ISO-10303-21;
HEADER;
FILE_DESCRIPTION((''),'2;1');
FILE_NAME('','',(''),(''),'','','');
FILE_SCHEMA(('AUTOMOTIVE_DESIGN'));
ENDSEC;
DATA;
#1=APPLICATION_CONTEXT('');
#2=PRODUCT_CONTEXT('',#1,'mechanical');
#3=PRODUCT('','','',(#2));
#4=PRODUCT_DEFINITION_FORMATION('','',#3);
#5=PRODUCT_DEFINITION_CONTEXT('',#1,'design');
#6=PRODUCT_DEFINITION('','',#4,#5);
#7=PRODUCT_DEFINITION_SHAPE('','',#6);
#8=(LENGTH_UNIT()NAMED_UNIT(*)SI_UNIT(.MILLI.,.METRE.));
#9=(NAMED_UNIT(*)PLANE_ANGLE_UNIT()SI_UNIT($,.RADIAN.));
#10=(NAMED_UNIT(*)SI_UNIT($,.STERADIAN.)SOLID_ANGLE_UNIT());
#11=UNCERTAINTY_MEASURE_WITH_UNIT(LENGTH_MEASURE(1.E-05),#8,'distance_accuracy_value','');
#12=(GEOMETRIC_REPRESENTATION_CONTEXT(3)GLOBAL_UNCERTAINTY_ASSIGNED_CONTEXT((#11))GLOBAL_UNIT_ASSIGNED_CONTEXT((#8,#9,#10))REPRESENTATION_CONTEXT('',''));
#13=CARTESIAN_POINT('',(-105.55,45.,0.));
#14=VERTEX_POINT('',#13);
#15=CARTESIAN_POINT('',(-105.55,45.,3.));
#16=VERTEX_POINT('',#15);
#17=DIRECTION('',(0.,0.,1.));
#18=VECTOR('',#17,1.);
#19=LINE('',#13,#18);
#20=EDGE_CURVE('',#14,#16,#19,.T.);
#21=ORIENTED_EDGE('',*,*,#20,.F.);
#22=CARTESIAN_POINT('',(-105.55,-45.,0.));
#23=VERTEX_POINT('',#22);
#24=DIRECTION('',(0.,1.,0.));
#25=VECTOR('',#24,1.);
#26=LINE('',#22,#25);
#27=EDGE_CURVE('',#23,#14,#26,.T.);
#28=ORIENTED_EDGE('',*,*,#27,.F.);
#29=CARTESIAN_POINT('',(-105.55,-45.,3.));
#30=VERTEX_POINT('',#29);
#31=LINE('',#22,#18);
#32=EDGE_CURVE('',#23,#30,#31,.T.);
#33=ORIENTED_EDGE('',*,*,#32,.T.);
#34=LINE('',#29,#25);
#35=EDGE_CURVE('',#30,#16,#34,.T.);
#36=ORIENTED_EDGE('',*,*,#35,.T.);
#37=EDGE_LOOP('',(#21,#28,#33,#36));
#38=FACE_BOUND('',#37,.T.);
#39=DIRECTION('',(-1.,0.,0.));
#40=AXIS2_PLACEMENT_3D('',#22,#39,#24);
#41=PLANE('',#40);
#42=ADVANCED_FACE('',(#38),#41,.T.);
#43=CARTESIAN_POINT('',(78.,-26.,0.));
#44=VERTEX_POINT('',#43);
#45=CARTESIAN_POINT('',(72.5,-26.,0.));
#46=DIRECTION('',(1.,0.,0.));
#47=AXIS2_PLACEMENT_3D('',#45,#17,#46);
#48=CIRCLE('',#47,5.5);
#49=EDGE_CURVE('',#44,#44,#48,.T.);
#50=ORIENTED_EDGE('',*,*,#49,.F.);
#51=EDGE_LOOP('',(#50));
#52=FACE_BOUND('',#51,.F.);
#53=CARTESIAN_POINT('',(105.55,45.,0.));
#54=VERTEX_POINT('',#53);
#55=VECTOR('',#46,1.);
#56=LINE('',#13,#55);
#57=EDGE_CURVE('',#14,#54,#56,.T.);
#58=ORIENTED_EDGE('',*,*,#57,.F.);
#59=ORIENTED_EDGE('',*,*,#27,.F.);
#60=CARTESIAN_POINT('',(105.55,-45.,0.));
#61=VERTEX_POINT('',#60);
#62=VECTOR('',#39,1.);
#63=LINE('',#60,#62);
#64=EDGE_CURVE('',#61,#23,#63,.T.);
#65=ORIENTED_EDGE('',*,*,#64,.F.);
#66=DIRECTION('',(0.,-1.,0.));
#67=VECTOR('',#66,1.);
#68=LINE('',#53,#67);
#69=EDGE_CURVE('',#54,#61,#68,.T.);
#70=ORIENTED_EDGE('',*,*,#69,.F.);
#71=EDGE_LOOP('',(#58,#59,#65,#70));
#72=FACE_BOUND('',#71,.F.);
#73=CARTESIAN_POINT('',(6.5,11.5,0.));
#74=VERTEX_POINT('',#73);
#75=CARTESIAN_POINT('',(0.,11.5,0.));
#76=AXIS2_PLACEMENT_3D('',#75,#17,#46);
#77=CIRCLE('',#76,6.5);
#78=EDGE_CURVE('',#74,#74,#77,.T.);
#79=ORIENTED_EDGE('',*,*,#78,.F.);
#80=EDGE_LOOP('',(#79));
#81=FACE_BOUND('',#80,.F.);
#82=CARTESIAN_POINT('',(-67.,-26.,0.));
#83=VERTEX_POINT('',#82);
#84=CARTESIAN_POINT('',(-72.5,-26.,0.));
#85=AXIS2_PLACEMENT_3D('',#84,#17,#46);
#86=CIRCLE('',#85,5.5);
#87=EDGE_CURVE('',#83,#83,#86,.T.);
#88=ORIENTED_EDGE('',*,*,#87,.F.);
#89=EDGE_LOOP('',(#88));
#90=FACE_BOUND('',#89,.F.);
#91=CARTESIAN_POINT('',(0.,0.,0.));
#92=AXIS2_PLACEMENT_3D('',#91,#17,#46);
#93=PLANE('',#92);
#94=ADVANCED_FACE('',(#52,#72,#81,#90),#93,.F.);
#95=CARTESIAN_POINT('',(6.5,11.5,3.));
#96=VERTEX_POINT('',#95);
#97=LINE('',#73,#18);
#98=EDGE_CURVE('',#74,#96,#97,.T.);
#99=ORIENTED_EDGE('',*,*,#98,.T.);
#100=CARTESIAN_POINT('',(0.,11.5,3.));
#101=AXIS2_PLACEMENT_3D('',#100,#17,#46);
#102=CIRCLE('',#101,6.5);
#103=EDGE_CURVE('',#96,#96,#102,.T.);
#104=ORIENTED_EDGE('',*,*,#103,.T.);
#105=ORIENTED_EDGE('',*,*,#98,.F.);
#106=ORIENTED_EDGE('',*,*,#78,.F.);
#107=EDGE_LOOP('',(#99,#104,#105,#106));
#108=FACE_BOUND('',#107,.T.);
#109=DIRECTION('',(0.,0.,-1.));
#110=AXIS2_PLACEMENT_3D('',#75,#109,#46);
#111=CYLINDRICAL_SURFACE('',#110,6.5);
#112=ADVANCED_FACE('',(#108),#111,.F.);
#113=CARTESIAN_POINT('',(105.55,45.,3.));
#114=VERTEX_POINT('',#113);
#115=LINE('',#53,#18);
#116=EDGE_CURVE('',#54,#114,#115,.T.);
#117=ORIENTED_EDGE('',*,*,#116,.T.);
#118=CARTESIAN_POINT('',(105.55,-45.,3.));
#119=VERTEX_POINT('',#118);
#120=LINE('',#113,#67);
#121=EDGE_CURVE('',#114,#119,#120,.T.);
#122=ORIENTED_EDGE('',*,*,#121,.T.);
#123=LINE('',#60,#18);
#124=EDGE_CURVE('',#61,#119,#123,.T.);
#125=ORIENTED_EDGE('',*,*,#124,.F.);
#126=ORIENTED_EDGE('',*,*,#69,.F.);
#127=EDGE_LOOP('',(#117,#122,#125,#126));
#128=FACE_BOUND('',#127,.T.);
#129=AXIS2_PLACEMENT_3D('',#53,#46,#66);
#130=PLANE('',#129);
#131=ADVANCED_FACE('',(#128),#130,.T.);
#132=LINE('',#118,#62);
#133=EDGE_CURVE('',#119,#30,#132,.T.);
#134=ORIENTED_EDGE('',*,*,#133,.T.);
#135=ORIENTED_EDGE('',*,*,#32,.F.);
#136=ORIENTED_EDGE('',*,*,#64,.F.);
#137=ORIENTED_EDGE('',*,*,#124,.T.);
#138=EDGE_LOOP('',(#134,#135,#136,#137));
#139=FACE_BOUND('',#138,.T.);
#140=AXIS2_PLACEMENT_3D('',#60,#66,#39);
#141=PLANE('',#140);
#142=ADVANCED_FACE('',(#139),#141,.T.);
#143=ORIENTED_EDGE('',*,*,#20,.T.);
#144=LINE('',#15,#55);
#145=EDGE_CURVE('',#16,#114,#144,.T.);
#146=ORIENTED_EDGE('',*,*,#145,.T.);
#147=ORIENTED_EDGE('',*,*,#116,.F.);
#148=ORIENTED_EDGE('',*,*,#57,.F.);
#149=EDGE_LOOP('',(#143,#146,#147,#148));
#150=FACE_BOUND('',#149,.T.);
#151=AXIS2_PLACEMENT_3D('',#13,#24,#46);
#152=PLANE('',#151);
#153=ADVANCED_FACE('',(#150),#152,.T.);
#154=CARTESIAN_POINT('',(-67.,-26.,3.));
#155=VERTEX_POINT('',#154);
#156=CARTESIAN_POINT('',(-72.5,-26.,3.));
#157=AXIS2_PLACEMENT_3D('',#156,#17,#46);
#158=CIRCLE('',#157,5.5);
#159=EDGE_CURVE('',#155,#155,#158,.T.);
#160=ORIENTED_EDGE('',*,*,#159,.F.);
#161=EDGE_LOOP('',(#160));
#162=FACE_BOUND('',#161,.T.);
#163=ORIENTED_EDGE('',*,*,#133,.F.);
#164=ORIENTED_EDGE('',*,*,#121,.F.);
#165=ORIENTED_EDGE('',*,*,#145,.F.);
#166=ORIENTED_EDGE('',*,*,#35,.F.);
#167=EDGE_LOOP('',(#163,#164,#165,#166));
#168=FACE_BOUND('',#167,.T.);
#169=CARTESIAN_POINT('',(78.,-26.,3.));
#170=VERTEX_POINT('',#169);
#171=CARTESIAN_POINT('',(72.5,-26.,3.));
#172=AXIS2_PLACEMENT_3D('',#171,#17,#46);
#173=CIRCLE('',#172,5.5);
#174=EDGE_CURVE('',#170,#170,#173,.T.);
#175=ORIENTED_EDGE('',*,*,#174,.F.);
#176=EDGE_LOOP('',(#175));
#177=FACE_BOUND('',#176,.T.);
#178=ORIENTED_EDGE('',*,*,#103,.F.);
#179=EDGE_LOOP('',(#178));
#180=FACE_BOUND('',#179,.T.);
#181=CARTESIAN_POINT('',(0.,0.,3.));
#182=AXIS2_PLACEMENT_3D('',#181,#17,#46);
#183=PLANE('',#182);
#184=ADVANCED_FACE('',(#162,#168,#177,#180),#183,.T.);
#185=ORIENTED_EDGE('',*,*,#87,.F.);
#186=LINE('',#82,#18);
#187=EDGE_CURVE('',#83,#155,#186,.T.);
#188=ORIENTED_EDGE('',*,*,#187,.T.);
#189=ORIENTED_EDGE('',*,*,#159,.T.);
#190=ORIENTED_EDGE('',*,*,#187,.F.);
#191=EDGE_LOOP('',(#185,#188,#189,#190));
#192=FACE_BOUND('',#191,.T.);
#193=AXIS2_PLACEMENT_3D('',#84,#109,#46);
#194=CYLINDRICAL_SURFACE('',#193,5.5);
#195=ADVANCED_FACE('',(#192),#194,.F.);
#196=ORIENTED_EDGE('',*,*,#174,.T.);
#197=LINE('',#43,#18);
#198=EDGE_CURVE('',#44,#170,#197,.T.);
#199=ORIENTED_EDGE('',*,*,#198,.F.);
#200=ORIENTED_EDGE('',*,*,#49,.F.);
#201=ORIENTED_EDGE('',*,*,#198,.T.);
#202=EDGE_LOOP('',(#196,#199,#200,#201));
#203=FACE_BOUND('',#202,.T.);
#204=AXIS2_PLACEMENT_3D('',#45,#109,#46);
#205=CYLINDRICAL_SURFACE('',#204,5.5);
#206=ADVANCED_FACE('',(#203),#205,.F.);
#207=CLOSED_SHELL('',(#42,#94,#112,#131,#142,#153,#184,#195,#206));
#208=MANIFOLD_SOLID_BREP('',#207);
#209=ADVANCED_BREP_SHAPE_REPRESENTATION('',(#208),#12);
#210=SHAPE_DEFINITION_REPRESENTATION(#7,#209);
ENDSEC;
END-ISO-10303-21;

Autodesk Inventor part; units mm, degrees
ref_plane "YZ Plane" through (0, 0, 0) normal (1, 0, 0) x (0, 1, 0)
ref_plane "XZ Plane" through (0, 0, 0) normal (0, 1, 0) x (-1, 0, 0)
ref_plane "XY Plane" through (0, 0, 0) normal (0, 0, 1) x (1, 0, 0)
sketch "Sketch15" plane through (0, 0, 0) normal (0, 0, 1) x (1, 0, 0)
  line L0 (-105.55, 45) -> (105.55, 45)
  line L1 (105.55, 45) -> (105.55, -45)
  line L2 (105.55, -45) -> (-105.55, -45)
  line L3 (-105.55, -45) -> (-105.55, 45)
  line L4 (-105.55, 45) -> (105.55, -45) construction
  line L5 (105.55, 45) -> (-105.55, -45) construction
  circle A0 centre (0, 11.5) radius 6.5
  circle A1 centre (72.5, -26) radius 5.5
  circle A2 centre (-72.5, -26) radius 5.5
  line L6 (0, 0) -> (0, -45) construction
  dimension "d173" = 211.1
  dimension "d174" = 90
  dimension "d176" = 13
  dimension "d177" = 11
  dimension "d178" = 11.5
  dimension "d179" = 26
  dimension "d180" = 145
extrude "Plate10" add sketch "Sketch15" along normal blind 3
equation "\"BendRadius\" = Thickness"
equation "\"BendReliefWidth\" = Thickness"
equation "\"BendReliefDepth\" = 0.5 * Thickness"
equation "\"CornerReliefSize\" = 4 * Thickness"
equation "\"MinimumRemnant\" = 2 * Thickness"
equation "\"TransitionRadius\" = BendRadius"
equation "\"JacobiRadiusSize\" = BendRadius"
equation "\"GapSize\" = Thickness"
equation "\"Thickness\" = 3"
properties part number "DMF 01 15 drum sheet 1" material "Stainless Steel AISI 304"
